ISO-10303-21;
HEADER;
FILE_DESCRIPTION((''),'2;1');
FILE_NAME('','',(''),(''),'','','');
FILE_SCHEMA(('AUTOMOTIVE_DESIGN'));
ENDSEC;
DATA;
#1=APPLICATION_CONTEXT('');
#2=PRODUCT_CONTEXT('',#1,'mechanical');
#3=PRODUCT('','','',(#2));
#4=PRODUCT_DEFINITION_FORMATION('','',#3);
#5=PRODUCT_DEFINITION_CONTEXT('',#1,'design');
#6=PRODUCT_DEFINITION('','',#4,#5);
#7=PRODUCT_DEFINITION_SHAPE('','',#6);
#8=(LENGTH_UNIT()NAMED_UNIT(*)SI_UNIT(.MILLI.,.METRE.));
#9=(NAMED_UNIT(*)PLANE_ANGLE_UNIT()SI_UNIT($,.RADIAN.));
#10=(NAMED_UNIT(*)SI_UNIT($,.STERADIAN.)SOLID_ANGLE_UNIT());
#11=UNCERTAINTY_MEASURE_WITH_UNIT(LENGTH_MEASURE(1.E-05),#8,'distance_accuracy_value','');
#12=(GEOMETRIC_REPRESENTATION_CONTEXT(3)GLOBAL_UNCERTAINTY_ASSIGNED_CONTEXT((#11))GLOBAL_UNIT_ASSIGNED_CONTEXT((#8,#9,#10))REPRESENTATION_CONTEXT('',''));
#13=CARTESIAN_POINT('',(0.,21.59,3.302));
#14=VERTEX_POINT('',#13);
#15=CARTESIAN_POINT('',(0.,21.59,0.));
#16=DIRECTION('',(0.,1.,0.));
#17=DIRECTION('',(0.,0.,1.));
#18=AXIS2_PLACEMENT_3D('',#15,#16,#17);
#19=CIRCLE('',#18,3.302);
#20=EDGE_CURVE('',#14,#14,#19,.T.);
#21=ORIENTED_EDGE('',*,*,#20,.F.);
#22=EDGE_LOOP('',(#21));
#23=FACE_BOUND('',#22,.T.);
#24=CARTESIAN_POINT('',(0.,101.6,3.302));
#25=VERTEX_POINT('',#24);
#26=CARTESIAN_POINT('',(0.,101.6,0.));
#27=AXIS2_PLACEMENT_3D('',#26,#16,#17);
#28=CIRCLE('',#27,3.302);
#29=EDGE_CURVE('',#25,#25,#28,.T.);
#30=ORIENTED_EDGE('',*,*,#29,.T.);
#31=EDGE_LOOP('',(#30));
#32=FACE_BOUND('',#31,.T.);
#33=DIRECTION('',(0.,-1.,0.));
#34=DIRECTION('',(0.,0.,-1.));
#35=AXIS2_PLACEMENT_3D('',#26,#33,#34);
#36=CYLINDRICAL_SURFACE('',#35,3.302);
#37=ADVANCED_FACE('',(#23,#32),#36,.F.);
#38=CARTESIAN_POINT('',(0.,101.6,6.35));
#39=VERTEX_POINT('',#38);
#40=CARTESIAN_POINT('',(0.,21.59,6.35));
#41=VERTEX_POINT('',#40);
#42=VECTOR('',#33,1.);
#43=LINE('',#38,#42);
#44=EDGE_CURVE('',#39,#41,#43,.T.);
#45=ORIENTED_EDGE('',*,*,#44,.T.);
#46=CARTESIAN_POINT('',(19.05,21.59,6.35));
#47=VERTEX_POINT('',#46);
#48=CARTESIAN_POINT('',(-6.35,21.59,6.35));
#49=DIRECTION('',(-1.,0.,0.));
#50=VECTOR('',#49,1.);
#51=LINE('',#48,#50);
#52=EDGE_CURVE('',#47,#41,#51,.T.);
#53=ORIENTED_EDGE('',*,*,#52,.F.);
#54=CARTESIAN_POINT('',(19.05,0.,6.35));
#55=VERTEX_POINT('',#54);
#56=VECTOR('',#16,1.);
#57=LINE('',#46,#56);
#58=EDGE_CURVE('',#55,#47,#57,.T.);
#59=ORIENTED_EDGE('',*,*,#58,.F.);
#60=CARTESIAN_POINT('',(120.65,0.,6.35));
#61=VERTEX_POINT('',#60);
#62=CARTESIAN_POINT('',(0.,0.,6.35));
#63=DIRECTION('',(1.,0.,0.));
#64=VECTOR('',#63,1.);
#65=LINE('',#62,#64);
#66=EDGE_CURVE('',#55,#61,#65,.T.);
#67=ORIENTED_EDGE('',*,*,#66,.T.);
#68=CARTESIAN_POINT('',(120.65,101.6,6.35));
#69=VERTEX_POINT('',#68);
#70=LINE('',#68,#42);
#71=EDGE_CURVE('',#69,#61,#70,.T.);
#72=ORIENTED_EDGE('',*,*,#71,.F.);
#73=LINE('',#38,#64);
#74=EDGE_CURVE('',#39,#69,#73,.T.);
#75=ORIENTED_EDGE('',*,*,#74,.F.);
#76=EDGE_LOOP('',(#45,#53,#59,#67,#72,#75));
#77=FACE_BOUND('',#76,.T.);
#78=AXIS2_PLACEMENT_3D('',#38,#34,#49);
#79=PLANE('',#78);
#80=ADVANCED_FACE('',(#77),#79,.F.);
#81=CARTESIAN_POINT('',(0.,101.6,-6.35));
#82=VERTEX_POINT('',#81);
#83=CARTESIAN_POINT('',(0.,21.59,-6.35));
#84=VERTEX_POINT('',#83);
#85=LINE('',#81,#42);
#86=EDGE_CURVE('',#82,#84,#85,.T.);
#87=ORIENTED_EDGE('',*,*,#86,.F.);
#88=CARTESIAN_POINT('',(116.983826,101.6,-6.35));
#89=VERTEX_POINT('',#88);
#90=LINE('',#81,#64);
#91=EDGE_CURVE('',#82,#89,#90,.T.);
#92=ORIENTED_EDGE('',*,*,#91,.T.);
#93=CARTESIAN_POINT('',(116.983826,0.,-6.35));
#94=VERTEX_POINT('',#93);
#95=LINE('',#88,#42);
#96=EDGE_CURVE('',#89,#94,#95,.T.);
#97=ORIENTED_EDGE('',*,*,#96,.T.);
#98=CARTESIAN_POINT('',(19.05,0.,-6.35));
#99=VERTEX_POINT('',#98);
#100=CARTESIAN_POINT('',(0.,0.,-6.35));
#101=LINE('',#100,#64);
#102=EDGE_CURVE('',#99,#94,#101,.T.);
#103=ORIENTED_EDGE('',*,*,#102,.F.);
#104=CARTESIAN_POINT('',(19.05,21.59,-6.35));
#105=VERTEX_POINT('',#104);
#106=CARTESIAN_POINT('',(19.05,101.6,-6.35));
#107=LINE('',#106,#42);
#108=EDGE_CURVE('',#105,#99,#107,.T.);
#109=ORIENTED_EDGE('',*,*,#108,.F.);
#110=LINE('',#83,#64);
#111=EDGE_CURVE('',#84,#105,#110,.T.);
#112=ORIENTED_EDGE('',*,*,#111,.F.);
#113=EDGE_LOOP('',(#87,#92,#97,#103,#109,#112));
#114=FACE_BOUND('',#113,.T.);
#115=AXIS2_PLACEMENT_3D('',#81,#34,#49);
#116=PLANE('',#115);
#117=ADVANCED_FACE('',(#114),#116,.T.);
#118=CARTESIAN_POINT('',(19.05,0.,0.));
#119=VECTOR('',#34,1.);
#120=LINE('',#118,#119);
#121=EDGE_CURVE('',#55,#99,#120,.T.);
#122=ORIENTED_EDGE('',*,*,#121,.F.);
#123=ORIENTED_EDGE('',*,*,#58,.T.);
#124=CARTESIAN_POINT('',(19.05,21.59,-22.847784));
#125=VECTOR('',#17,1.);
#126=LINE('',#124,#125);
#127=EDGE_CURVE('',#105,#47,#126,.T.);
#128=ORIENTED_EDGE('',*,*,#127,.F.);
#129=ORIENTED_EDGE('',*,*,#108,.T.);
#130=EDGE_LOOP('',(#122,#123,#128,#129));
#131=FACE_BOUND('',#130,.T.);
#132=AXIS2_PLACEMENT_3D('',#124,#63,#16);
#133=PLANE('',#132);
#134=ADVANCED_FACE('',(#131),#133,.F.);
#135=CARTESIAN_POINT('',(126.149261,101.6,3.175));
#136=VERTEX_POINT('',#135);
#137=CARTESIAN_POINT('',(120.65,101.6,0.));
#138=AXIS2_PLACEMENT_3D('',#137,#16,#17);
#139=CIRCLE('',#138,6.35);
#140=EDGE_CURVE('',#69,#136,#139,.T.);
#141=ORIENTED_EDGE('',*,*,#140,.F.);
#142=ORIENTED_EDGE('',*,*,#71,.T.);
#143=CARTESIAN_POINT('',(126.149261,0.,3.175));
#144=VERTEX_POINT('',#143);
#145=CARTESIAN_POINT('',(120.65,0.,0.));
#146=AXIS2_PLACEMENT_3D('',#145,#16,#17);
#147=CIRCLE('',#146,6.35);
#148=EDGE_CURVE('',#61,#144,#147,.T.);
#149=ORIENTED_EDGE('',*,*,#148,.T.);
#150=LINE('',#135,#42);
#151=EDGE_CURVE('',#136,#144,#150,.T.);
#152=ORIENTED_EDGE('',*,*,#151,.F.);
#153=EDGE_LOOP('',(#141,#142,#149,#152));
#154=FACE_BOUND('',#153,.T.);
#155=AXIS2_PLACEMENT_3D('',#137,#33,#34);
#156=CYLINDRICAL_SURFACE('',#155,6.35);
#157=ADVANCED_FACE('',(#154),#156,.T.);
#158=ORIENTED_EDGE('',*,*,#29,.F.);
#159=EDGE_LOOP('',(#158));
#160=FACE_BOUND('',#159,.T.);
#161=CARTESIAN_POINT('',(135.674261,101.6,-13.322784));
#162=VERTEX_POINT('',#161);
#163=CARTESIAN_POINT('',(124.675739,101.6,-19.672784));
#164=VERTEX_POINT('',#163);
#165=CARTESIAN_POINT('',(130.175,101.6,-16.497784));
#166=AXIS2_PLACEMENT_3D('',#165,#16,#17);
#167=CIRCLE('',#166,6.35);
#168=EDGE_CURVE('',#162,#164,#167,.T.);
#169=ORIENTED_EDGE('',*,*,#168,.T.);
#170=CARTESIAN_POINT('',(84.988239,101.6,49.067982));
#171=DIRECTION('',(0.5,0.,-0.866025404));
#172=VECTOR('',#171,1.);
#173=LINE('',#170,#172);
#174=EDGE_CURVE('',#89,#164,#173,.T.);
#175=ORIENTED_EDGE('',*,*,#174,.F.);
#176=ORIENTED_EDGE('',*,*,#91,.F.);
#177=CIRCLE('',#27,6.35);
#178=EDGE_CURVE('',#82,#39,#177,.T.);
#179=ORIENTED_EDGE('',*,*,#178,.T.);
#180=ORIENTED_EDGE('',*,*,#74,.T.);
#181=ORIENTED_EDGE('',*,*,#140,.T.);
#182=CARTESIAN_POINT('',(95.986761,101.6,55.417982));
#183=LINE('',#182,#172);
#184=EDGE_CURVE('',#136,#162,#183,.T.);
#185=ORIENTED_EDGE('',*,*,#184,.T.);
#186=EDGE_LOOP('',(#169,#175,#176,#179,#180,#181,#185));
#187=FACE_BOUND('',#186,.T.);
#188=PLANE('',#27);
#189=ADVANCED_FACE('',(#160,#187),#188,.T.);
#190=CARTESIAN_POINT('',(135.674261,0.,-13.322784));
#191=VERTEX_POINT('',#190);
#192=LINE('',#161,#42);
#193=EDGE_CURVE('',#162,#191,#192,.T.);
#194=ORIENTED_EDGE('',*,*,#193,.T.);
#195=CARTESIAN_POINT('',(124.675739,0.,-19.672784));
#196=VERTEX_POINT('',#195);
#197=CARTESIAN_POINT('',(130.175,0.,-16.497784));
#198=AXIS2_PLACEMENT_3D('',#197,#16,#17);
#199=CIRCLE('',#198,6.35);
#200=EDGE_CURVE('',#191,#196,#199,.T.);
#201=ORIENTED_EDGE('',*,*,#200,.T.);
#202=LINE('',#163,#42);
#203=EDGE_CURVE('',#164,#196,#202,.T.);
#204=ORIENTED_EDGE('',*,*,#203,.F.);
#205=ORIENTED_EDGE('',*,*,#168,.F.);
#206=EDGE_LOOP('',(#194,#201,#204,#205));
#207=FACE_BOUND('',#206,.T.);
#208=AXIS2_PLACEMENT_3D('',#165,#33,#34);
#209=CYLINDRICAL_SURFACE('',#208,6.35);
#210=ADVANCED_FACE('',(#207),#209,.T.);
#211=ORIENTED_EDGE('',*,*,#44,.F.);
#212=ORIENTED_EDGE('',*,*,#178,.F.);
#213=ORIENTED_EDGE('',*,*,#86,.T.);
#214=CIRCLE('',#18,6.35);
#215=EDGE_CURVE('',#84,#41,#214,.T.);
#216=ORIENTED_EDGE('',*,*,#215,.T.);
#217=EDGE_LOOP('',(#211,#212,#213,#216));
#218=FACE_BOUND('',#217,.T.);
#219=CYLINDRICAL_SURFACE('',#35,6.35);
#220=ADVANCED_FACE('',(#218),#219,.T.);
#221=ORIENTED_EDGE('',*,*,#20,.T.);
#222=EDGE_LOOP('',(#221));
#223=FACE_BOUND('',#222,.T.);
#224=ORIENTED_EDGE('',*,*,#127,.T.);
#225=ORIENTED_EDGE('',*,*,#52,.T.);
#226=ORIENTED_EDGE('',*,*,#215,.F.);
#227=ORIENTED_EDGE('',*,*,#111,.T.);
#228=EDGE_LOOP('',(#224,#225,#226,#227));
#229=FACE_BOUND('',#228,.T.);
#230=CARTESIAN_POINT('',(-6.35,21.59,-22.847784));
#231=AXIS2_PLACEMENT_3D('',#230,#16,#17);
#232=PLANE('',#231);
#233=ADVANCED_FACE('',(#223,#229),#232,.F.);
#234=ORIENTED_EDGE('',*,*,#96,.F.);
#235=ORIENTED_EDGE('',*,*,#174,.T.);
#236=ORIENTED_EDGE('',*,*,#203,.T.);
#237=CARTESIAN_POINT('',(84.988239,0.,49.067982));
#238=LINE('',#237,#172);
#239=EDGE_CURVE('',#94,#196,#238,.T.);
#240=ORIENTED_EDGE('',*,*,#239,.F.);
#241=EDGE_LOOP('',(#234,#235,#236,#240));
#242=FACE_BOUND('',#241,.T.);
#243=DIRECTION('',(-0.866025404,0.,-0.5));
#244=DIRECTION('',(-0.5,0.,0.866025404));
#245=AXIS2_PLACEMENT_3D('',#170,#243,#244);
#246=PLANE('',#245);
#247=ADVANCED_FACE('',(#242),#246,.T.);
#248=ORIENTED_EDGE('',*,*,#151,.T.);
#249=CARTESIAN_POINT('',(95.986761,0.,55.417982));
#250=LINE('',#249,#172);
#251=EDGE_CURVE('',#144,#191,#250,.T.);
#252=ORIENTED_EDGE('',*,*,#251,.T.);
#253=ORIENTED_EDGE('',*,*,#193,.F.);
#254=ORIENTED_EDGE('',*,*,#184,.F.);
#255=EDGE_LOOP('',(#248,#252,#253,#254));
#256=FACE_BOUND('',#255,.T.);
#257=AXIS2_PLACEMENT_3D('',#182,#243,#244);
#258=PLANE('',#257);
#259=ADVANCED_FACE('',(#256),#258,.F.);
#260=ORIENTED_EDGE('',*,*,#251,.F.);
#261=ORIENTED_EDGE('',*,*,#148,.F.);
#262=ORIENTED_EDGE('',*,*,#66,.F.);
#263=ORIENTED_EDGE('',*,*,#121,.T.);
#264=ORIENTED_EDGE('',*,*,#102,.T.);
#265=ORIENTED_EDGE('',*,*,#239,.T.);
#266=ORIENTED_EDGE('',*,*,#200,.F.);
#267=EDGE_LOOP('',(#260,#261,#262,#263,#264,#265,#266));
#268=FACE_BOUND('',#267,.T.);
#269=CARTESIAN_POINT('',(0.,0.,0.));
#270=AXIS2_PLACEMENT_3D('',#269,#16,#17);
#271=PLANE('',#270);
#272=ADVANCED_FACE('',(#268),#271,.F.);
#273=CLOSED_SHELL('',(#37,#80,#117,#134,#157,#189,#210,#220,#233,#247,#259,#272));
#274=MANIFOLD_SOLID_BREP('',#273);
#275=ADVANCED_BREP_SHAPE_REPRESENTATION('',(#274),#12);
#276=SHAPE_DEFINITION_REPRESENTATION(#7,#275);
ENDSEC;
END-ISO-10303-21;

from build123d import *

# Parameters (mm, degrees)
SKETCH1_R           = 3.302
BOSS_EXTRUDE1_DEPTH = 101.6
SKETCH2_W           = 25.4
SKETCH2_H           = 21.59
CUT_EXTRUDE1_DEPTH  = 173.667733558


with BuildPart() as part:
    # Sketch1 → Boss-Extrude1 (new body)
    with BuildSketch(Plane(origin=(0, 0, 0), x_dir=(1, 0, 0), z_dir=(0, 1, 0))):
        with BuildLine():
            Line((116.983825791, 6.35), (0, 6.35))
            ThreePointArc((0, 6.35), (-6.35, 0), (0, -6.35))
            Line((0, -6.35), (120.65, -6.35))
            ThreePointArc((120.65, -6.35), (123.825, -5.499261314), (126.149261314, -3.175))
            Line((126.149261314, -3.175), (135.674261314, 13.322783942))
            ThreePointArc((135.674261314, 13.322783942), (133.35, 21.997045256), (124.675738686, 19.672783942))
            Line((124.675738686, 19.672783942), (116.983825791, 6.35))
        make_face()
        Circle(SKETCH1_R, mode=Mode.SUBTRACT)
    extrude(amount=BOSS_EXTRUDE1_DEPTH)

    # Sketch2 → Cut-Extrude1 (cut, through all)
    with BuildSketch(Plane.XY.offset(6.35)):
        with Locations((6.35, 10.795)):
            Rectangle(SKETCH2_W, SKETCH2_H)
    extrude(amount=-CUT_EXTRUDE1_DEPTH, mode=Mode.SUBTRACT)


solid = part.part
